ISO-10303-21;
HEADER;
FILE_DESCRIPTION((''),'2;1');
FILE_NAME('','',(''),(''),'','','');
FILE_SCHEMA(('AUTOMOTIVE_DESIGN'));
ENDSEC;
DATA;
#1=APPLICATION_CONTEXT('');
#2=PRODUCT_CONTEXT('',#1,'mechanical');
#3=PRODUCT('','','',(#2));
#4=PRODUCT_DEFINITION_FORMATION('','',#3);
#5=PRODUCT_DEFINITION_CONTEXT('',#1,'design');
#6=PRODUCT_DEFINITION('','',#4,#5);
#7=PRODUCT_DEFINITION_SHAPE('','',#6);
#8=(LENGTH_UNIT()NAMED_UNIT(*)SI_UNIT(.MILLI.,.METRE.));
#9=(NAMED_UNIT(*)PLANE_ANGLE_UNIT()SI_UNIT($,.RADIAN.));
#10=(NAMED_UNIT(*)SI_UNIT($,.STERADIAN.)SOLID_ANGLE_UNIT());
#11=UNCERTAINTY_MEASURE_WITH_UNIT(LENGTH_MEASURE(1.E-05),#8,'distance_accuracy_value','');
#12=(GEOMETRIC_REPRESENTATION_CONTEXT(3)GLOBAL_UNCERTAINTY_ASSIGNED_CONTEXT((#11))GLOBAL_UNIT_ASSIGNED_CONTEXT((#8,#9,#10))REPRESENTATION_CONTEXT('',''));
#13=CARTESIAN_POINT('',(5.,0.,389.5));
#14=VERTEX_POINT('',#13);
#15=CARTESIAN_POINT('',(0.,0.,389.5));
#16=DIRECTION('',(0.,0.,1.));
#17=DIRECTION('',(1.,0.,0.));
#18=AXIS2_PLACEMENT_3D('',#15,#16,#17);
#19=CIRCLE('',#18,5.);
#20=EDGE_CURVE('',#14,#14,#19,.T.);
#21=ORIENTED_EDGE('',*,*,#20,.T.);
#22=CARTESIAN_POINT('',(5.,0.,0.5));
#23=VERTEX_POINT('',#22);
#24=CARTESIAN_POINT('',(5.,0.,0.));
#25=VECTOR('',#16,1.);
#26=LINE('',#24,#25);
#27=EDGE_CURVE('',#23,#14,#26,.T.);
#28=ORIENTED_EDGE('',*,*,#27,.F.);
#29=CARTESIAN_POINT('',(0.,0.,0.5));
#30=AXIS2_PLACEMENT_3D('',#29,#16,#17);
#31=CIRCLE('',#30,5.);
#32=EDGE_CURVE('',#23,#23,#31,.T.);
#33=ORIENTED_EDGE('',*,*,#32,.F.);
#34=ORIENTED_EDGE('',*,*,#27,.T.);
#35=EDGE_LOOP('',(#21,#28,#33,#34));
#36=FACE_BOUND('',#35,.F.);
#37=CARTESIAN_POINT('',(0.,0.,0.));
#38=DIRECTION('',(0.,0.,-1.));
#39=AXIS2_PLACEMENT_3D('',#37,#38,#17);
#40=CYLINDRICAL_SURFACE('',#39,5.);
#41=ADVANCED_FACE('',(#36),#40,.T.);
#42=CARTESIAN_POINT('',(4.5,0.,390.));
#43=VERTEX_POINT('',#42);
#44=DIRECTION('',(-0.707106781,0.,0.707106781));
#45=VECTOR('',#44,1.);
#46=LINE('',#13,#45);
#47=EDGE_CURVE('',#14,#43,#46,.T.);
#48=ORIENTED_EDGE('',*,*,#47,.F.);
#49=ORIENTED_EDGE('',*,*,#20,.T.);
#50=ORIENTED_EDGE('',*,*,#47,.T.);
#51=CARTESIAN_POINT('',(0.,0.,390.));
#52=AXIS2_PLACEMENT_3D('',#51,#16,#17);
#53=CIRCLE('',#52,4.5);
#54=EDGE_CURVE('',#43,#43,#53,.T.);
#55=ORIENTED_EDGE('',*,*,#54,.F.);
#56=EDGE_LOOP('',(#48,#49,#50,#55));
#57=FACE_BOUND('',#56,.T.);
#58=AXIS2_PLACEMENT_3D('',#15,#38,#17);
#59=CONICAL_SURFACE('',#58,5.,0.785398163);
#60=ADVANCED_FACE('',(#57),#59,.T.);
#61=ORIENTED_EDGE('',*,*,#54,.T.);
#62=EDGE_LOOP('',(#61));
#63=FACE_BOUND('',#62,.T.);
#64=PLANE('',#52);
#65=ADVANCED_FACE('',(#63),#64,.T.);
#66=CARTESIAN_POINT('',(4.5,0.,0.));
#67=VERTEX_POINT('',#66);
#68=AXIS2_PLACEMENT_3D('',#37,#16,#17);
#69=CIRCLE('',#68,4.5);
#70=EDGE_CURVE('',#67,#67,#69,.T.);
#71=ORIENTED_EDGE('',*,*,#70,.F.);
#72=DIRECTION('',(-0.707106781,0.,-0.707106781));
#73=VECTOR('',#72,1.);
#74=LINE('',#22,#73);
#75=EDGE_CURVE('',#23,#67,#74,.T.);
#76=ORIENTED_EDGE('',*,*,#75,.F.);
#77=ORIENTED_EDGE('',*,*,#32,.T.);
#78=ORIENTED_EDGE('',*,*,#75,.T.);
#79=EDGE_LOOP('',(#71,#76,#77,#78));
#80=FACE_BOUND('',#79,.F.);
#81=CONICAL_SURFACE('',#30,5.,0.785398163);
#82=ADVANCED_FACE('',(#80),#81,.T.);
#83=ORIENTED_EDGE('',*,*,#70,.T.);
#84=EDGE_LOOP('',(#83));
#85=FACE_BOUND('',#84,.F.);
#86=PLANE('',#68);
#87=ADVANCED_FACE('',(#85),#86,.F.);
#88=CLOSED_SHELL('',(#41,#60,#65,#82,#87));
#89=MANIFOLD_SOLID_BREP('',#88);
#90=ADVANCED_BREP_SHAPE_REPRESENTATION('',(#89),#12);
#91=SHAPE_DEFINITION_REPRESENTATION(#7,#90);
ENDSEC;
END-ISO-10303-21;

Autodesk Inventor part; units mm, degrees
ref_plane "YZ Plane" through (0, 0, 0) normal (1, 0, 0) x (0, 1, 0)
ref_plane "XZ Plane" through (0, 0, 0) normal (0, 1, 0) x (-1, 0, 0)
ref_plane "XY Plane" through (0, 0, 0) normal (0, 0, 1) x (1, 0, 0)
sketch "Sketch1" plane through (0, 0, 0) normal (0, 0, 1) x (1, 0, 0)
  circle A0 centre (0, 0) radius 5
  dimension "d0" = 10
extrude "Extrusion1" add sketch "Sketch1" along normal blind 390
thread "Thread1" size "M10x1.5" class "6g" standard "ANSI Metric M Profile" full length
chamfer "Chamfer1" distance 0.5 angle 45 2 edges at (-5, 0, 390) (-5, 0, 0)
properties part number "Angle Support"
